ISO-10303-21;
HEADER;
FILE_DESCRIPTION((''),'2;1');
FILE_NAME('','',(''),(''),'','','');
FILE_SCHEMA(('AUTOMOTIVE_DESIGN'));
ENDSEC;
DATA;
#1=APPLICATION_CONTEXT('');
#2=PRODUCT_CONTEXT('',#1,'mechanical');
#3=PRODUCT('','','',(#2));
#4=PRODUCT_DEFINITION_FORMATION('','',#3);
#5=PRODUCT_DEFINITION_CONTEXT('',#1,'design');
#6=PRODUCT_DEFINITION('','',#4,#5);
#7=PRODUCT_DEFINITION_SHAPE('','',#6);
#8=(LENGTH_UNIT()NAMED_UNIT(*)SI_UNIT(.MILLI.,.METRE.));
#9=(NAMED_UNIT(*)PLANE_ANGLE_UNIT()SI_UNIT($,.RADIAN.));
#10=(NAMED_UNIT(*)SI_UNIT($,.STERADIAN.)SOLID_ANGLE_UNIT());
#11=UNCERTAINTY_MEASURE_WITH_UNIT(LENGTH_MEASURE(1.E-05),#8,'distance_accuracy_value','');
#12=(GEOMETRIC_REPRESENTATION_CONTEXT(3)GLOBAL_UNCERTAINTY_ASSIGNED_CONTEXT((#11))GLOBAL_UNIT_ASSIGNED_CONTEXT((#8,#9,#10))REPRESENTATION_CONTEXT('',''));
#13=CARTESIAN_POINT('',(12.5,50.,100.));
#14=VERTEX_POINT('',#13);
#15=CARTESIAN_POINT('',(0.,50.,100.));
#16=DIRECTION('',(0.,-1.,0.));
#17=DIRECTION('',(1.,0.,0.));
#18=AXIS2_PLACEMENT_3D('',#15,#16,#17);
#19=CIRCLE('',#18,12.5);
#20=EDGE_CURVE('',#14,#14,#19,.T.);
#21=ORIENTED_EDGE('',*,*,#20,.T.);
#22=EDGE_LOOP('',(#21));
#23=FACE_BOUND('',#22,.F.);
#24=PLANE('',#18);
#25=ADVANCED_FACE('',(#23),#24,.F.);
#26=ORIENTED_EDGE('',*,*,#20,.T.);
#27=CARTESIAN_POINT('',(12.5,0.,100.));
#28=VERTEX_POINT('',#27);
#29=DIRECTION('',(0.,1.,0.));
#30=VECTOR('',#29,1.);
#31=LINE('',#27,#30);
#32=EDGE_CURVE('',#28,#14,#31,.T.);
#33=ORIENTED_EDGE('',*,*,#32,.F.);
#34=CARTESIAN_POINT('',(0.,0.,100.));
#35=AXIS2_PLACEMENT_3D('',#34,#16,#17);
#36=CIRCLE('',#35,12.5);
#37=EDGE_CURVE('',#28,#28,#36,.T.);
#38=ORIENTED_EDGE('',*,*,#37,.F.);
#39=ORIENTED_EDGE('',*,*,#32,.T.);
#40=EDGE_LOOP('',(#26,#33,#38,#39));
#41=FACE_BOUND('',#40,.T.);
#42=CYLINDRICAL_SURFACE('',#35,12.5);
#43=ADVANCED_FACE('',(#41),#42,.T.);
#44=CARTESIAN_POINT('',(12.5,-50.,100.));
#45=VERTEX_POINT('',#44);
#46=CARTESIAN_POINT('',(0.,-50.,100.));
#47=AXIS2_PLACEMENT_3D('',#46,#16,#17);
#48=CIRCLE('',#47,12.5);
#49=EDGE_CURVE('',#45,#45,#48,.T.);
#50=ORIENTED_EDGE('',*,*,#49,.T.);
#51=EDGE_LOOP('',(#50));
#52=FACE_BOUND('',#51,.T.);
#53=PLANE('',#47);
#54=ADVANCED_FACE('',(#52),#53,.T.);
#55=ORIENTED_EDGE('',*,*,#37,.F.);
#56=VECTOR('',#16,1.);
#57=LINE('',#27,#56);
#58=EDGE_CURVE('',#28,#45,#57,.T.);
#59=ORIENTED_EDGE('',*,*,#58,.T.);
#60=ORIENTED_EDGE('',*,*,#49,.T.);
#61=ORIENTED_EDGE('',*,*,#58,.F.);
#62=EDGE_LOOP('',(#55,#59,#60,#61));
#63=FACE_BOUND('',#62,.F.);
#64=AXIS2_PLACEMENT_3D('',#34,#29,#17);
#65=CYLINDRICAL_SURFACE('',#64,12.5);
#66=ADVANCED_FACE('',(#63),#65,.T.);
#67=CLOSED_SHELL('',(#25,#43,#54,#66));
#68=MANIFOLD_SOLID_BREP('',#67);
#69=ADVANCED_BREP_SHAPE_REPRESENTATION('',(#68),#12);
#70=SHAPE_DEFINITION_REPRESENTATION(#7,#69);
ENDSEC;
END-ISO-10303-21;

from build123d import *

# Parameters (mm, degrees)
F0_R          = 12.5
F1_DEPTH      = 50
F1_DEPTH_BACK = 50


with BuildPart() as f1:
    # F0 (on Front) → F1 (new body, two sides)
    with BuildSketch(Plane.XZ) as f1_sk:
        with Locations((0, 100)):
            Circle(F0_R)
    extrude(amount=-F1_DEPTH)
    extrude(f1_sk.sketch, amount=F1_DEPTH_BACK)


solid = f1.part
